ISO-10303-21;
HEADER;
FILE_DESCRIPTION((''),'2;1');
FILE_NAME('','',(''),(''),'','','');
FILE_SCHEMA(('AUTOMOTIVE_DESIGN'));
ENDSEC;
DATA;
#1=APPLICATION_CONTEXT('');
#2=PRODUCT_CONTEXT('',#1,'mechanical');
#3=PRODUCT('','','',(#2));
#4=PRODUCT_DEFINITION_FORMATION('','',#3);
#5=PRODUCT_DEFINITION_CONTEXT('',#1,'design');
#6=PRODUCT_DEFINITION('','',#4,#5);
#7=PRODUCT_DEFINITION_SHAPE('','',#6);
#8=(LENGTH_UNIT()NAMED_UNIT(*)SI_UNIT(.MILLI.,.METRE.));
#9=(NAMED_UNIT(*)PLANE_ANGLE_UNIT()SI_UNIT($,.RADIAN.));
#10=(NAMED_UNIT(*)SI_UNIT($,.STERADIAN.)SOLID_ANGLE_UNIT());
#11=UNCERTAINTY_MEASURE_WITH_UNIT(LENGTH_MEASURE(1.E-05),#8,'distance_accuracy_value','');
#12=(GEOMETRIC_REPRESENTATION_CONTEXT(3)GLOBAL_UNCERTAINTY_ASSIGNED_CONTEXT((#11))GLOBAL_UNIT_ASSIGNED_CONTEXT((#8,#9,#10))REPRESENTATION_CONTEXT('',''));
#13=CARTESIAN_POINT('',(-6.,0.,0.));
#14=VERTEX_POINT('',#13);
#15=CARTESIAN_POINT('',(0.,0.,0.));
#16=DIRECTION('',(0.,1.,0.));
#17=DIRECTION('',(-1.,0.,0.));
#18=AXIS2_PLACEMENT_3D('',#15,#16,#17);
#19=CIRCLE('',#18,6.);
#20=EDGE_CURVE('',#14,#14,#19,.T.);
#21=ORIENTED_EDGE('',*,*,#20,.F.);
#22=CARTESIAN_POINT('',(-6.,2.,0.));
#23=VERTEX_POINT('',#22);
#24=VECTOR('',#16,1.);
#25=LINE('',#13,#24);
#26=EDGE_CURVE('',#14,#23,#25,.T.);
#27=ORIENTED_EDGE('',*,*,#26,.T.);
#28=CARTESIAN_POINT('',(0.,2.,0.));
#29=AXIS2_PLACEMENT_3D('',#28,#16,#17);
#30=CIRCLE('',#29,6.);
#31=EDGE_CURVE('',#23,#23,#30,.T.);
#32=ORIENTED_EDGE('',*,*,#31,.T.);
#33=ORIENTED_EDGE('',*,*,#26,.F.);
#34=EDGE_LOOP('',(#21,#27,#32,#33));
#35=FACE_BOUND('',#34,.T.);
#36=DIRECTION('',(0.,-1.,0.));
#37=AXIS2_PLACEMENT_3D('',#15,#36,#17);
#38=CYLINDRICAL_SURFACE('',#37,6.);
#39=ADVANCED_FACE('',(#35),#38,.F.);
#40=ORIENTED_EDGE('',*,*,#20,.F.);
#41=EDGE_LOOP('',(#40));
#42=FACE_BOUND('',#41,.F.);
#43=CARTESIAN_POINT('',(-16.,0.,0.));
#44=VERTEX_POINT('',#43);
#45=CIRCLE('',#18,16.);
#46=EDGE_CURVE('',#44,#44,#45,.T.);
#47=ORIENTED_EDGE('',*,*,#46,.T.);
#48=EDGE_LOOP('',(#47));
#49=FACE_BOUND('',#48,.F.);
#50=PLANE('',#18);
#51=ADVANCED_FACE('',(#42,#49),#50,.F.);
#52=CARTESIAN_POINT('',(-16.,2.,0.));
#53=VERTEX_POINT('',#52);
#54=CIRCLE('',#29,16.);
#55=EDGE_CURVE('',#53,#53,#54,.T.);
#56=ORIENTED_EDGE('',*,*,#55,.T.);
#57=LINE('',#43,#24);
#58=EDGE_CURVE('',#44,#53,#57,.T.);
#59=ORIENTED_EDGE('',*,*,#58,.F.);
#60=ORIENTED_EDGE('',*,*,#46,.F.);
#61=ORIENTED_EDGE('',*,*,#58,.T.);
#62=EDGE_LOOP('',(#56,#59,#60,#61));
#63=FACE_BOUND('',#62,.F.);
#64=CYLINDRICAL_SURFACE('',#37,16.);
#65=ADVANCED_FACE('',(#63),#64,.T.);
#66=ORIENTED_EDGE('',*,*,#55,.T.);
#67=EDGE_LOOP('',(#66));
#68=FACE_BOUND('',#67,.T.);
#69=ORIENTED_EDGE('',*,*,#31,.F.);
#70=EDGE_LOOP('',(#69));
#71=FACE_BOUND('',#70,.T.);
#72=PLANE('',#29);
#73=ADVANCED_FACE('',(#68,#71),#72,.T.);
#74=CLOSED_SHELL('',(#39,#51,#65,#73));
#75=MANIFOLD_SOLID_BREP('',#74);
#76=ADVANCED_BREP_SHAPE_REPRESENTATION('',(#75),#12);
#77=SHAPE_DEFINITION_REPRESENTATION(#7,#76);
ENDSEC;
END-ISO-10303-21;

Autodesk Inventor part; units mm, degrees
ref_plane "YZ Plane" through (0, 0, 0) normal (1, 0, 0) x (0, 1, 0)
ref_plane "XZ Plane" through (0, 0, 0) normal (0, 1, 0) x (-1, 0, 0)
ref_plane "XY Plane" through (0, 0, 0) normal (0, 0, 1) x (1, 0, 0)
sketch "Sketch1" plane through (0, 0, 0) normal (0, 1, 0) x (-1, 0, 0)
  circle A0 centre (0, 0) radius 6
  circle A1 centre (0, 0) radius 16
  dimension "d0" = 12
  dimension "d1" = 10
extrude "Extrusion1" add sketch "Sketch1" along normal blind 2
properties part number "Washer"
